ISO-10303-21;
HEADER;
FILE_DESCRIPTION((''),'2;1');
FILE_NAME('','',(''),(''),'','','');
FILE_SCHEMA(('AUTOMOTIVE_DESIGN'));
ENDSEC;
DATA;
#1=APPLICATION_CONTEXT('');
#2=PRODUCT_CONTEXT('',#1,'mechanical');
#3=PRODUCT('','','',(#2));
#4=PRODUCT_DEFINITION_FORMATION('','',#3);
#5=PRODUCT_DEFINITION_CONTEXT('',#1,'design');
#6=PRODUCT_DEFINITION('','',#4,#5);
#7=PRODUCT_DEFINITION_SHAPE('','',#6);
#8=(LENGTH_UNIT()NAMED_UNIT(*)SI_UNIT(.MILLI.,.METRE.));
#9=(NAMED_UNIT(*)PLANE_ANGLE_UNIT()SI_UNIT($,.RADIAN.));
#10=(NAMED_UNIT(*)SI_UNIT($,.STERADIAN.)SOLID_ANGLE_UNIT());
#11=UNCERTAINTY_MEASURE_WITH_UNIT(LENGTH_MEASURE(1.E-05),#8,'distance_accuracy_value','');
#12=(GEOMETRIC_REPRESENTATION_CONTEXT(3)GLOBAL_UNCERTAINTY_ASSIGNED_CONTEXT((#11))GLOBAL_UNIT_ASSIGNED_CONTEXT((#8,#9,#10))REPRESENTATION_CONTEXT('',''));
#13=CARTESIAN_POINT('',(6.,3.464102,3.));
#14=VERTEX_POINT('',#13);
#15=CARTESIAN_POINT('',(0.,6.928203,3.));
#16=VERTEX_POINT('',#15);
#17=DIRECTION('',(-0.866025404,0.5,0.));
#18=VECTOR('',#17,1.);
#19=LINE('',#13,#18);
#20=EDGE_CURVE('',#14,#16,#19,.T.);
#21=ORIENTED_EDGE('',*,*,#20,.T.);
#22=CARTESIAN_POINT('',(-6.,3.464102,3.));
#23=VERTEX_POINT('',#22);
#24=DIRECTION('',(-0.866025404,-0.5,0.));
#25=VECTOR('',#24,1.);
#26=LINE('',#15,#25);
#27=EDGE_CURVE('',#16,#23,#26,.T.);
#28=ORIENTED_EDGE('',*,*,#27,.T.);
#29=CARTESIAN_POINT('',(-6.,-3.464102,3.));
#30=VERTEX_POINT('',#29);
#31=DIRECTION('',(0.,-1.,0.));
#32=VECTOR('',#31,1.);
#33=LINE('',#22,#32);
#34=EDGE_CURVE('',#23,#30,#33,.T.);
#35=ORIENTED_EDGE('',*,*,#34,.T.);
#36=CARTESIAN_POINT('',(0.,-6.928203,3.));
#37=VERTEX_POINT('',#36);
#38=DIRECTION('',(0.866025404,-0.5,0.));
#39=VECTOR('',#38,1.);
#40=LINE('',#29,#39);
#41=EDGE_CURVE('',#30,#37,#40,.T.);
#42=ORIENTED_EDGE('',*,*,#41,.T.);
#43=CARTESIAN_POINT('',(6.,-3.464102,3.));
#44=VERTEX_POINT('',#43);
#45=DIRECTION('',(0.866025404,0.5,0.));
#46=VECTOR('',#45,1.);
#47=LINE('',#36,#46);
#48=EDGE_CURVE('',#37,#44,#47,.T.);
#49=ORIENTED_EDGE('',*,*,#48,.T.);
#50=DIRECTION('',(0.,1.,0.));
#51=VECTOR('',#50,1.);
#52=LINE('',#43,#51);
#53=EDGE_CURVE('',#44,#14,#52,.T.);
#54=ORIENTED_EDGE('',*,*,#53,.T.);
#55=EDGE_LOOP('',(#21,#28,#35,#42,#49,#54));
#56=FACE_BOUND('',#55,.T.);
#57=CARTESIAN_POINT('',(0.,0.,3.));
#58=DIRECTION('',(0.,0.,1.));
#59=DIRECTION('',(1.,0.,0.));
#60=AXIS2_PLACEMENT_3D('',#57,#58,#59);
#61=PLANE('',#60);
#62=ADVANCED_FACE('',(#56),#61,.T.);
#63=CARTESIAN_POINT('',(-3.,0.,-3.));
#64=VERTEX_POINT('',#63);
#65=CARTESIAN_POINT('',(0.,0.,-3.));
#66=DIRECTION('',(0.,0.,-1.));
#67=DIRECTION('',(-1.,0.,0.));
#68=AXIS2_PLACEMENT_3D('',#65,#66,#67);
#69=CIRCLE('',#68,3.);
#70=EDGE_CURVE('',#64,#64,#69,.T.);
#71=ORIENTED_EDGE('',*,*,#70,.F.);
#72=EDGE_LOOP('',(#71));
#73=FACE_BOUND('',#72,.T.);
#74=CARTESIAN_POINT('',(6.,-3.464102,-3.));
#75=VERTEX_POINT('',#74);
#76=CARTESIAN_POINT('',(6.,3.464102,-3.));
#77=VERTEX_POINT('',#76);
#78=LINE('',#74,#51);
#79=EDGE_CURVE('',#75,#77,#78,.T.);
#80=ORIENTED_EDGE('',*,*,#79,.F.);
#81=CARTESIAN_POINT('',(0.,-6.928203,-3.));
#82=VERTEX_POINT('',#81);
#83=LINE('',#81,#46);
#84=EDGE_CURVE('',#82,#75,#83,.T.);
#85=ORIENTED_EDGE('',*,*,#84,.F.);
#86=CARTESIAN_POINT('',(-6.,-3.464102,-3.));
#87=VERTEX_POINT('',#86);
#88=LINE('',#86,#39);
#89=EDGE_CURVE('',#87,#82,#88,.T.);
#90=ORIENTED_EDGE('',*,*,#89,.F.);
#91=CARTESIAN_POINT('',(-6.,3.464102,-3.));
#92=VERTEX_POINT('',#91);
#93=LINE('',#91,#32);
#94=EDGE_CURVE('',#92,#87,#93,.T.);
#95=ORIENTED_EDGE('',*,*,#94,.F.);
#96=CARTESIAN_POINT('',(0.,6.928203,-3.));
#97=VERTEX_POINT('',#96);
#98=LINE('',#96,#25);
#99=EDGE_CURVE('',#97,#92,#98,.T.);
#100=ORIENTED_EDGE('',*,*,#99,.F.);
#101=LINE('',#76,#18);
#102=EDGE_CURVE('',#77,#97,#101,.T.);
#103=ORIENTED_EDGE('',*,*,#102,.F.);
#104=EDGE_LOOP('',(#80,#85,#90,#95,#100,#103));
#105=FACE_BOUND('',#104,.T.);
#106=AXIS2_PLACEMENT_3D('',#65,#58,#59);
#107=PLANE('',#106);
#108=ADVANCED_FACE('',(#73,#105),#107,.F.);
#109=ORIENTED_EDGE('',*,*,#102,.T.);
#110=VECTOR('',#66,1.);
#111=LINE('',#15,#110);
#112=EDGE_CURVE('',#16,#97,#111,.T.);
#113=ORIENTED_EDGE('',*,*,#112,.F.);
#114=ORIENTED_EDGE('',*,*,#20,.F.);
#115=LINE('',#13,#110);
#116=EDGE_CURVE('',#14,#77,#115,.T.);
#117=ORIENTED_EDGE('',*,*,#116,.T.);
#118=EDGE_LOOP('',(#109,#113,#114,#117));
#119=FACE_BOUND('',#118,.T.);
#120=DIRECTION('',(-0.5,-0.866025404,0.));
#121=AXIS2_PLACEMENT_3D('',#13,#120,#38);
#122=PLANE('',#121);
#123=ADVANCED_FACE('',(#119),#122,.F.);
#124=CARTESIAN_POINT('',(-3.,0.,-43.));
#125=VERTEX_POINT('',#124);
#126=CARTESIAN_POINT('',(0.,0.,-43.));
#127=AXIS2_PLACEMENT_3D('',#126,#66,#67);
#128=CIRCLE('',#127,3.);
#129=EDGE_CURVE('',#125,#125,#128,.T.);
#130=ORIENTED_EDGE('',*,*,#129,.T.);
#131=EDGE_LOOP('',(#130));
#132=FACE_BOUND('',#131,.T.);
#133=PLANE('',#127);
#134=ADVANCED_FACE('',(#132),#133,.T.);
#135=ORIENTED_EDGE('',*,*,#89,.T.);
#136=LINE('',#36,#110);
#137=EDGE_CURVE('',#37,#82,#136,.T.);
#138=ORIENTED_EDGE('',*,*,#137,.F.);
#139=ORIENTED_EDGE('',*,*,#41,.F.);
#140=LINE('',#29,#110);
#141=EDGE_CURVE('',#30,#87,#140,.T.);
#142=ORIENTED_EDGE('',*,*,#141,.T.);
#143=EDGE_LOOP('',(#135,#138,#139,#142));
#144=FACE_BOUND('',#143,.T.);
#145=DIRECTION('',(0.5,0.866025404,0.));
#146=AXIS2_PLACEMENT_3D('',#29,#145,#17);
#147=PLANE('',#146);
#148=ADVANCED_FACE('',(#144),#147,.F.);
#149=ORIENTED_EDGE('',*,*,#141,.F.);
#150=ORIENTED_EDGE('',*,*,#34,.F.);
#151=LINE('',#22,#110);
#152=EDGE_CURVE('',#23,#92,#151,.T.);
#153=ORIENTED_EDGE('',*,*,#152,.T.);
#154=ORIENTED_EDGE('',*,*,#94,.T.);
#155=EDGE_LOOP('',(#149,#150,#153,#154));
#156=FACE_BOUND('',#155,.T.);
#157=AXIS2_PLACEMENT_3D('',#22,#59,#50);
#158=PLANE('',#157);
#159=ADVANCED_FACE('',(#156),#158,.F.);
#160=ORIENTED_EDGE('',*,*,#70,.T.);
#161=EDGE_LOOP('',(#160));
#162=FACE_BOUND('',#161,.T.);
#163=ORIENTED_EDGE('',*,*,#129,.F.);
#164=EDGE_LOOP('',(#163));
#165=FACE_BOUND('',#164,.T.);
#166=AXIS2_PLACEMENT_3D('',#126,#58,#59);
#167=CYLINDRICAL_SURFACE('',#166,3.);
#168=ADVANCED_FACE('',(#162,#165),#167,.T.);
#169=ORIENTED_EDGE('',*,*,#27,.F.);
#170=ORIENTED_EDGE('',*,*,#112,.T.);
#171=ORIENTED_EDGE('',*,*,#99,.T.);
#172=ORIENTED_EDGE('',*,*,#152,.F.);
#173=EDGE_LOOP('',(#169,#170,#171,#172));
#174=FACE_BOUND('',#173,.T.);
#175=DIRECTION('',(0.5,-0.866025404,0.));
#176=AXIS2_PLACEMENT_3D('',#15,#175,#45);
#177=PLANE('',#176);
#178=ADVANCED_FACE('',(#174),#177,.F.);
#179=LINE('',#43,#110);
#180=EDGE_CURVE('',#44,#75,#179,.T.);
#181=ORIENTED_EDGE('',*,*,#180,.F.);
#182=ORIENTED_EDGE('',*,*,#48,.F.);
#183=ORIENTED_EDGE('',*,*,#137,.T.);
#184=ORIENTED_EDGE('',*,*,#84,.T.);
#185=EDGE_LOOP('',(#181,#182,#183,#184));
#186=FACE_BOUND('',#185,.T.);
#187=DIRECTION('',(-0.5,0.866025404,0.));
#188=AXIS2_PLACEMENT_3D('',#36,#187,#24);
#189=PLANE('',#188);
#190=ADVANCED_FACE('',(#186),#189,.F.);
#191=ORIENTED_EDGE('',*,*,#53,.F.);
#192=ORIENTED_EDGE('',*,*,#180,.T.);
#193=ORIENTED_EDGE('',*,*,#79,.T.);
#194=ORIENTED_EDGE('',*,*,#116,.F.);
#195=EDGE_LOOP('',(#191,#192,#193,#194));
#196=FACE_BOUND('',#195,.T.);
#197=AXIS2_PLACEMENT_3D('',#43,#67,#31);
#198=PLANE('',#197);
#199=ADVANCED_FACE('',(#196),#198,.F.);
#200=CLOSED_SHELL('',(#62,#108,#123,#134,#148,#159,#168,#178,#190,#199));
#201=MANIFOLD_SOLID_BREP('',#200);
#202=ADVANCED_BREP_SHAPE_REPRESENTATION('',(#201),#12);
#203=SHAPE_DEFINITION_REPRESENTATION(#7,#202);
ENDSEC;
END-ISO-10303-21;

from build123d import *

# Parameters (mm, degrees)
BOSS_EXTRUDE2_DEPTH = 3
SKETCH5_R           = 3
BOSS_EXTRUDE3_DEPTH = 40


with BuildPart() as part:
    # Sketch4 → Boss-Extrude2 (new, symmetric)
    with BuildSketch(Plane.XY):
        Polygon((0, 6.92820323), (-6, 3.464101615), (-6, -3.464101615), (0, -6.92820323), (6, -3.464101615), (6, 3.464101615), align=None)
    extrude(amount=BOSS_EXTRUDE2_DEPTH, both=True)

    # Sketch5 → Boss-Extrude3 (add)
    with BuildSketch(Plane(origin=(0, 0, -3), x_dir=(-1, 0, 0), z_dir=(0, 0, -1))):
        Circle(SKETCH5_R)
    extrude(amount=BOSS_EXTRUDE3_DEPTH)


solid = part.part
